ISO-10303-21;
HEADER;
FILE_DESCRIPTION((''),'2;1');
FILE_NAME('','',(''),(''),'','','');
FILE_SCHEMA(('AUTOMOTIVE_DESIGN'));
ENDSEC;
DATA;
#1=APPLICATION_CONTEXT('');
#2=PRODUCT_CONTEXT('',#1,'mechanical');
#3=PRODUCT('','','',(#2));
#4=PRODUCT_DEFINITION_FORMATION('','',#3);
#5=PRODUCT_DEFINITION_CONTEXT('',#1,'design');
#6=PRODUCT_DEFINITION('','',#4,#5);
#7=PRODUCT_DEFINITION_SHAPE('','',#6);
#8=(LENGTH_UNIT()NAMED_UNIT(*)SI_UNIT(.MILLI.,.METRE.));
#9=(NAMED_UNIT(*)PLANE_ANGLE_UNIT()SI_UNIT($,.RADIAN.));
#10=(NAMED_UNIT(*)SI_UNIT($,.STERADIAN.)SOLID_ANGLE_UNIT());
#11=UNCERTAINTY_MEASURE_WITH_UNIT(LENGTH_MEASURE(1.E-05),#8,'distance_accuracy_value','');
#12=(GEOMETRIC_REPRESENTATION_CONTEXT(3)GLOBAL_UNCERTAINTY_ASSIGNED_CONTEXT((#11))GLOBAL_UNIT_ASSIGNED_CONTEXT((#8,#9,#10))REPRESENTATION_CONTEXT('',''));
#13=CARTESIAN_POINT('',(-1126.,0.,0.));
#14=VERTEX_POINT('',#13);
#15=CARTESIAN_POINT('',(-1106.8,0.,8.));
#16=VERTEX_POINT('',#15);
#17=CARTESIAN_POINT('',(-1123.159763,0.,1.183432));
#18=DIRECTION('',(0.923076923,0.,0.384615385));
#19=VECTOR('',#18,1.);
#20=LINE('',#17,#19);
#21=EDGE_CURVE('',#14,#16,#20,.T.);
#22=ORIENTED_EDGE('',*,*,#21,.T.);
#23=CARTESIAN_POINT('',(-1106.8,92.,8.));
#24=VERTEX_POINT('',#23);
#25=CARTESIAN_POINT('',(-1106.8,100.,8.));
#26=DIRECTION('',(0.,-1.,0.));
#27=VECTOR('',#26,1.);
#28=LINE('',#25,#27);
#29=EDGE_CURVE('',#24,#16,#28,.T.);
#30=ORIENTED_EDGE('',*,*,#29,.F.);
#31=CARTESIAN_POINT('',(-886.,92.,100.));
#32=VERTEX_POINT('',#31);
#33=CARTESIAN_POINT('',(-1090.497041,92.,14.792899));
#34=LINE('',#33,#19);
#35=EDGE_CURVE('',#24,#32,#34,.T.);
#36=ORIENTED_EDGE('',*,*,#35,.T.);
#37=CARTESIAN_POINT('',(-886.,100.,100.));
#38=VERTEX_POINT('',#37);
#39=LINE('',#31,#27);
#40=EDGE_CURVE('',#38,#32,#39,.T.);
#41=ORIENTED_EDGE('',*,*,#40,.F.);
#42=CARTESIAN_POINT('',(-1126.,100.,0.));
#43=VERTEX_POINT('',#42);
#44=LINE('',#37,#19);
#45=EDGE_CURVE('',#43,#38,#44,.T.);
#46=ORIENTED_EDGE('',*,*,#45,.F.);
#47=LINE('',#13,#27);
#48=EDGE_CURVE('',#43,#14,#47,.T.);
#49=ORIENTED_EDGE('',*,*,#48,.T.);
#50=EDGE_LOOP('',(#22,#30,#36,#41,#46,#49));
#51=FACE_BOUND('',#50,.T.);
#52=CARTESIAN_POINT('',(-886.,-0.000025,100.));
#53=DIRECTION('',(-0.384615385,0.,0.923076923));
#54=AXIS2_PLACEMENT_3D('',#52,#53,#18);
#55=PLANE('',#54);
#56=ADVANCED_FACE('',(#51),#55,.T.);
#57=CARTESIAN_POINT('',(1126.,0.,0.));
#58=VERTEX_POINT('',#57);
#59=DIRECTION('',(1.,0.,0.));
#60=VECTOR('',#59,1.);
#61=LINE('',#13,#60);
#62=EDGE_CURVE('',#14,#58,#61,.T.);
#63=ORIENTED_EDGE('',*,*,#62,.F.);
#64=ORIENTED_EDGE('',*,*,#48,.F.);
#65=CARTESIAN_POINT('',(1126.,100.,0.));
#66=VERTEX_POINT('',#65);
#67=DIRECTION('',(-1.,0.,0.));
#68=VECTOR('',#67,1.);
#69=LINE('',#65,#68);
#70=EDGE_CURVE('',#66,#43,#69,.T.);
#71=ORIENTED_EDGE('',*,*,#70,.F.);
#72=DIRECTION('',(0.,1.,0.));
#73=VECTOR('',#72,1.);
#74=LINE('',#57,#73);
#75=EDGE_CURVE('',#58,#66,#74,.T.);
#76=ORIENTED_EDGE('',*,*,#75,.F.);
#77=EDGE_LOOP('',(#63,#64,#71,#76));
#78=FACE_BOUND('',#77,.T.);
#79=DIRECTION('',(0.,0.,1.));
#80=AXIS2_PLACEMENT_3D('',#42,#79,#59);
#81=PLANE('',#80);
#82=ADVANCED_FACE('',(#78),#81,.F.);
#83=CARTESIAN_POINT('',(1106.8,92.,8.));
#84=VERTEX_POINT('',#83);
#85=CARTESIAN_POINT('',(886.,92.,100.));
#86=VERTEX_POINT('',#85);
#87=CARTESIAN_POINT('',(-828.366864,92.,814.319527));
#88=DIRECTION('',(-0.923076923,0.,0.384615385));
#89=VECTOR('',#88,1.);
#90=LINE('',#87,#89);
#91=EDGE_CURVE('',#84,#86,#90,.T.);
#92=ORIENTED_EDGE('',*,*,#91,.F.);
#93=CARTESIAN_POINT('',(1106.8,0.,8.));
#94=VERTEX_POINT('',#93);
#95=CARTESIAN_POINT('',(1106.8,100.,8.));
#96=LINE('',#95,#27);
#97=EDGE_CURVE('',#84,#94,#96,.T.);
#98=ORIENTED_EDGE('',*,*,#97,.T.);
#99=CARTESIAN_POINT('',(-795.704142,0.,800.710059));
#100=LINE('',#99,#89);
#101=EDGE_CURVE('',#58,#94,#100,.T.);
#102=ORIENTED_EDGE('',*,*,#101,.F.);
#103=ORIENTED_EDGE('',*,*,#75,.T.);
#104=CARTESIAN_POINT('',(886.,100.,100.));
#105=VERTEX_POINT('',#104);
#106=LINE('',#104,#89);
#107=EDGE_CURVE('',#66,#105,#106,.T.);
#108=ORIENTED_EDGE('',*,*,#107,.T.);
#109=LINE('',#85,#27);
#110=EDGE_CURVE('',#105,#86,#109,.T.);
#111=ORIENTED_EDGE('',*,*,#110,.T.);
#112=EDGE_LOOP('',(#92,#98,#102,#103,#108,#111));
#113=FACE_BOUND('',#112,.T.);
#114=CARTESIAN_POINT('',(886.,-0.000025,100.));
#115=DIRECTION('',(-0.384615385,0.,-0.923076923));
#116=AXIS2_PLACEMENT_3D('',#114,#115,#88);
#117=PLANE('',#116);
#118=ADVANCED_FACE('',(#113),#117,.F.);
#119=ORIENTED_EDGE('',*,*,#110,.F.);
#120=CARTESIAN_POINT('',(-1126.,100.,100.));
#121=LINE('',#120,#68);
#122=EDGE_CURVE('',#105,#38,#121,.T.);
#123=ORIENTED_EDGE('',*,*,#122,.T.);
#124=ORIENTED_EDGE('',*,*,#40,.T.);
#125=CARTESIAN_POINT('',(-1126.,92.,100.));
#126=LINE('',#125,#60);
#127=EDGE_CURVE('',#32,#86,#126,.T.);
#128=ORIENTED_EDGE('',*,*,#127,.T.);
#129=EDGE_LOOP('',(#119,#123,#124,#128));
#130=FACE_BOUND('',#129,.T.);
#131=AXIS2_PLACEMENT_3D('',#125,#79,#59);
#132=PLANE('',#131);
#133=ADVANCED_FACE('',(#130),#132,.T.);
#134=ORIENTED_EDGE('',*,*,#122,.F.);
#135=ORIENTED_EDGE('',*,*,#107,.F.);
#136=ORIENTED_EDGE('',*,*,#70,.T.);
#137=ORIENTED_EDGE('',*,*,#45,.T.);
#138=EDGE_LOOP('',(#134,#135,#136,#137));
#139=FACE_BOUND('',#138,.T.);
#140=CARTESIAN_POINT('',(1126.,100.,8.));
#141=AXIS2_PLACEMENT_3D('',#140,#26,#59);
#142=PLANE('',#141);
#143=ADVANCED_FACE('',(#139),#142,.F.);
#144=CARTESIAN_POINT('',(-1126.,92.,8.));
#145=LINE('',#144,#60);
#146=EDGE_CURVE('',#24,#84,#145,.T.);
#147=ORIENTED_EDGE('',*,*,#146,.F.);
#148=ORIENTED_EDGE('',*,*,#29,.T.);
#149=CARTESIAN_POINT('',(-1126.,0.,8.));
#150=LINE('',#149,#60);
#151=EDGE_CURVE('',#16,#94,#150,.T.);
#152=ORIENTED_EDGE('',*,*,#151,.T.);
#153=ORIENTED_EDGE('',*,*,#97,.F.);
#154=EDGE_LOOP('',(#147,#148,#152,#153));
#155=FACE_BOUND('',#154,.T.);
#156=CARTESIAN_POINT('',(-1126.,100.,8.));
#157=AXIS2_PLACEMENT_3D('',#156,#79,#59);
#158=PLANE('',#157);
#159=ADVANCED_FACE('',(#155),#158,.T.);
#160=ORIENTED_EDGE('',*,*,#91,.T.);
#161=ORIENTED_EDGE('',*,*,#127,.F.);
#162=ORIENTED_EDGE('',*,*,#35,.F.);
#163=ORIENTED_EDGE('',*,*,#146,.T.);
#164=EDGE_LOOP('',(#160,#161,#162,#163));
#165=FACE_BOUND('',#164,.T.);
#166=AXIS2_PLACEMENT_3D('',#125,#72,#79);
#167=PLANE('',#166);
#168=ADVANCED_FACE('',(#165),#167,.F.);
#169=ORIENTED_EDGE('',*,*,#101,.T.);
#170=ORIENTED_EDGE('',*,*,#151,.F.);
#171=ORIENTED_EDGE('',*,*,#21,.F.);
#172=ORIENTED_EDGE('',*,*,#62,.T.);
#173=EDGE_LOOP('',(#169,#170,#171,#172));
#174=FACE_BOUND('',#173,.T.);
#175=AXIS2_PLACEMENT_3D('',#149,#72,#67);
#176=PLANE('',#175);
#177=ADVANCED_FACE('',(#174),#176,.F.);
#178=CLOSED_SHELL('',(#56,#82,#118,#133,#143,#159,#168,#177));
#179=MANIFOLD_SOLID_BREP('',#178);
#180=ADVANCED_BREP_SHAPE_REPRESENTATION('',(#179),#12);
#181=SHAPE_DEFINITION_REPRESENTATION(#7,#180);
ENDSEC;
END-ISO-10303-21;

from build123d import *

# Parameters (mm, degrees)
SKETCH_1_W          = 2252
SKETCH_1_H          = 100
EXTRUDE_1_DEPTH     = 8
SKETCH_2_W          = 2252
SKETCH_2_H          = 8
EXTRUDE_2_DEPTH     = 92
CUT_EXTRUDE_3_DEPTH = 1135.846245092


with BuildPart() as part:
    # 草图1 → 凸台-拉伸1 (new body)
    with BuildSketch(Plane.XY):
        with Locations((0, 50)):
            Rectangle(SKETCH_1_W, SKETCH_1_H)
    extrude(amount=EXTRUDE_1_DEPTH)

    # 草图2 → 凸台-拉伸2 (add)
    with BuildSketch(Plane.XY.offset(8)):
        with Locations((0, 96)):
            Rectangle(SKETCH_2_W, SKETCH_2_H)
    extrude(amount=EXTRUDE_2_DEPTH)

    # 草图3 → 切除-拉伸3 (cut, through all)
    with BuildSketch(Plane(origin=(0, 100, 0), x_dir=(1, 0, 0), z_dir=(0, 1, 0))):
        Polygon((886, -100), (1126, 0), (1126, -100), align=None)
    cut_extrude_3 = extrude(amount=-CUT_EXTRUDE_3_DEPTH, mode=Mode.SUBTRACT)

    # 镜向8: 切除-拉伸3 across plane
    add(cut_extrude_3.mirror(Plane(origin=(0, 0, 0), x_dir=(0, 0, 1), z_dir=(1, 0, 0))), mode=Mode.SUBTRACT)


solid = part.part
